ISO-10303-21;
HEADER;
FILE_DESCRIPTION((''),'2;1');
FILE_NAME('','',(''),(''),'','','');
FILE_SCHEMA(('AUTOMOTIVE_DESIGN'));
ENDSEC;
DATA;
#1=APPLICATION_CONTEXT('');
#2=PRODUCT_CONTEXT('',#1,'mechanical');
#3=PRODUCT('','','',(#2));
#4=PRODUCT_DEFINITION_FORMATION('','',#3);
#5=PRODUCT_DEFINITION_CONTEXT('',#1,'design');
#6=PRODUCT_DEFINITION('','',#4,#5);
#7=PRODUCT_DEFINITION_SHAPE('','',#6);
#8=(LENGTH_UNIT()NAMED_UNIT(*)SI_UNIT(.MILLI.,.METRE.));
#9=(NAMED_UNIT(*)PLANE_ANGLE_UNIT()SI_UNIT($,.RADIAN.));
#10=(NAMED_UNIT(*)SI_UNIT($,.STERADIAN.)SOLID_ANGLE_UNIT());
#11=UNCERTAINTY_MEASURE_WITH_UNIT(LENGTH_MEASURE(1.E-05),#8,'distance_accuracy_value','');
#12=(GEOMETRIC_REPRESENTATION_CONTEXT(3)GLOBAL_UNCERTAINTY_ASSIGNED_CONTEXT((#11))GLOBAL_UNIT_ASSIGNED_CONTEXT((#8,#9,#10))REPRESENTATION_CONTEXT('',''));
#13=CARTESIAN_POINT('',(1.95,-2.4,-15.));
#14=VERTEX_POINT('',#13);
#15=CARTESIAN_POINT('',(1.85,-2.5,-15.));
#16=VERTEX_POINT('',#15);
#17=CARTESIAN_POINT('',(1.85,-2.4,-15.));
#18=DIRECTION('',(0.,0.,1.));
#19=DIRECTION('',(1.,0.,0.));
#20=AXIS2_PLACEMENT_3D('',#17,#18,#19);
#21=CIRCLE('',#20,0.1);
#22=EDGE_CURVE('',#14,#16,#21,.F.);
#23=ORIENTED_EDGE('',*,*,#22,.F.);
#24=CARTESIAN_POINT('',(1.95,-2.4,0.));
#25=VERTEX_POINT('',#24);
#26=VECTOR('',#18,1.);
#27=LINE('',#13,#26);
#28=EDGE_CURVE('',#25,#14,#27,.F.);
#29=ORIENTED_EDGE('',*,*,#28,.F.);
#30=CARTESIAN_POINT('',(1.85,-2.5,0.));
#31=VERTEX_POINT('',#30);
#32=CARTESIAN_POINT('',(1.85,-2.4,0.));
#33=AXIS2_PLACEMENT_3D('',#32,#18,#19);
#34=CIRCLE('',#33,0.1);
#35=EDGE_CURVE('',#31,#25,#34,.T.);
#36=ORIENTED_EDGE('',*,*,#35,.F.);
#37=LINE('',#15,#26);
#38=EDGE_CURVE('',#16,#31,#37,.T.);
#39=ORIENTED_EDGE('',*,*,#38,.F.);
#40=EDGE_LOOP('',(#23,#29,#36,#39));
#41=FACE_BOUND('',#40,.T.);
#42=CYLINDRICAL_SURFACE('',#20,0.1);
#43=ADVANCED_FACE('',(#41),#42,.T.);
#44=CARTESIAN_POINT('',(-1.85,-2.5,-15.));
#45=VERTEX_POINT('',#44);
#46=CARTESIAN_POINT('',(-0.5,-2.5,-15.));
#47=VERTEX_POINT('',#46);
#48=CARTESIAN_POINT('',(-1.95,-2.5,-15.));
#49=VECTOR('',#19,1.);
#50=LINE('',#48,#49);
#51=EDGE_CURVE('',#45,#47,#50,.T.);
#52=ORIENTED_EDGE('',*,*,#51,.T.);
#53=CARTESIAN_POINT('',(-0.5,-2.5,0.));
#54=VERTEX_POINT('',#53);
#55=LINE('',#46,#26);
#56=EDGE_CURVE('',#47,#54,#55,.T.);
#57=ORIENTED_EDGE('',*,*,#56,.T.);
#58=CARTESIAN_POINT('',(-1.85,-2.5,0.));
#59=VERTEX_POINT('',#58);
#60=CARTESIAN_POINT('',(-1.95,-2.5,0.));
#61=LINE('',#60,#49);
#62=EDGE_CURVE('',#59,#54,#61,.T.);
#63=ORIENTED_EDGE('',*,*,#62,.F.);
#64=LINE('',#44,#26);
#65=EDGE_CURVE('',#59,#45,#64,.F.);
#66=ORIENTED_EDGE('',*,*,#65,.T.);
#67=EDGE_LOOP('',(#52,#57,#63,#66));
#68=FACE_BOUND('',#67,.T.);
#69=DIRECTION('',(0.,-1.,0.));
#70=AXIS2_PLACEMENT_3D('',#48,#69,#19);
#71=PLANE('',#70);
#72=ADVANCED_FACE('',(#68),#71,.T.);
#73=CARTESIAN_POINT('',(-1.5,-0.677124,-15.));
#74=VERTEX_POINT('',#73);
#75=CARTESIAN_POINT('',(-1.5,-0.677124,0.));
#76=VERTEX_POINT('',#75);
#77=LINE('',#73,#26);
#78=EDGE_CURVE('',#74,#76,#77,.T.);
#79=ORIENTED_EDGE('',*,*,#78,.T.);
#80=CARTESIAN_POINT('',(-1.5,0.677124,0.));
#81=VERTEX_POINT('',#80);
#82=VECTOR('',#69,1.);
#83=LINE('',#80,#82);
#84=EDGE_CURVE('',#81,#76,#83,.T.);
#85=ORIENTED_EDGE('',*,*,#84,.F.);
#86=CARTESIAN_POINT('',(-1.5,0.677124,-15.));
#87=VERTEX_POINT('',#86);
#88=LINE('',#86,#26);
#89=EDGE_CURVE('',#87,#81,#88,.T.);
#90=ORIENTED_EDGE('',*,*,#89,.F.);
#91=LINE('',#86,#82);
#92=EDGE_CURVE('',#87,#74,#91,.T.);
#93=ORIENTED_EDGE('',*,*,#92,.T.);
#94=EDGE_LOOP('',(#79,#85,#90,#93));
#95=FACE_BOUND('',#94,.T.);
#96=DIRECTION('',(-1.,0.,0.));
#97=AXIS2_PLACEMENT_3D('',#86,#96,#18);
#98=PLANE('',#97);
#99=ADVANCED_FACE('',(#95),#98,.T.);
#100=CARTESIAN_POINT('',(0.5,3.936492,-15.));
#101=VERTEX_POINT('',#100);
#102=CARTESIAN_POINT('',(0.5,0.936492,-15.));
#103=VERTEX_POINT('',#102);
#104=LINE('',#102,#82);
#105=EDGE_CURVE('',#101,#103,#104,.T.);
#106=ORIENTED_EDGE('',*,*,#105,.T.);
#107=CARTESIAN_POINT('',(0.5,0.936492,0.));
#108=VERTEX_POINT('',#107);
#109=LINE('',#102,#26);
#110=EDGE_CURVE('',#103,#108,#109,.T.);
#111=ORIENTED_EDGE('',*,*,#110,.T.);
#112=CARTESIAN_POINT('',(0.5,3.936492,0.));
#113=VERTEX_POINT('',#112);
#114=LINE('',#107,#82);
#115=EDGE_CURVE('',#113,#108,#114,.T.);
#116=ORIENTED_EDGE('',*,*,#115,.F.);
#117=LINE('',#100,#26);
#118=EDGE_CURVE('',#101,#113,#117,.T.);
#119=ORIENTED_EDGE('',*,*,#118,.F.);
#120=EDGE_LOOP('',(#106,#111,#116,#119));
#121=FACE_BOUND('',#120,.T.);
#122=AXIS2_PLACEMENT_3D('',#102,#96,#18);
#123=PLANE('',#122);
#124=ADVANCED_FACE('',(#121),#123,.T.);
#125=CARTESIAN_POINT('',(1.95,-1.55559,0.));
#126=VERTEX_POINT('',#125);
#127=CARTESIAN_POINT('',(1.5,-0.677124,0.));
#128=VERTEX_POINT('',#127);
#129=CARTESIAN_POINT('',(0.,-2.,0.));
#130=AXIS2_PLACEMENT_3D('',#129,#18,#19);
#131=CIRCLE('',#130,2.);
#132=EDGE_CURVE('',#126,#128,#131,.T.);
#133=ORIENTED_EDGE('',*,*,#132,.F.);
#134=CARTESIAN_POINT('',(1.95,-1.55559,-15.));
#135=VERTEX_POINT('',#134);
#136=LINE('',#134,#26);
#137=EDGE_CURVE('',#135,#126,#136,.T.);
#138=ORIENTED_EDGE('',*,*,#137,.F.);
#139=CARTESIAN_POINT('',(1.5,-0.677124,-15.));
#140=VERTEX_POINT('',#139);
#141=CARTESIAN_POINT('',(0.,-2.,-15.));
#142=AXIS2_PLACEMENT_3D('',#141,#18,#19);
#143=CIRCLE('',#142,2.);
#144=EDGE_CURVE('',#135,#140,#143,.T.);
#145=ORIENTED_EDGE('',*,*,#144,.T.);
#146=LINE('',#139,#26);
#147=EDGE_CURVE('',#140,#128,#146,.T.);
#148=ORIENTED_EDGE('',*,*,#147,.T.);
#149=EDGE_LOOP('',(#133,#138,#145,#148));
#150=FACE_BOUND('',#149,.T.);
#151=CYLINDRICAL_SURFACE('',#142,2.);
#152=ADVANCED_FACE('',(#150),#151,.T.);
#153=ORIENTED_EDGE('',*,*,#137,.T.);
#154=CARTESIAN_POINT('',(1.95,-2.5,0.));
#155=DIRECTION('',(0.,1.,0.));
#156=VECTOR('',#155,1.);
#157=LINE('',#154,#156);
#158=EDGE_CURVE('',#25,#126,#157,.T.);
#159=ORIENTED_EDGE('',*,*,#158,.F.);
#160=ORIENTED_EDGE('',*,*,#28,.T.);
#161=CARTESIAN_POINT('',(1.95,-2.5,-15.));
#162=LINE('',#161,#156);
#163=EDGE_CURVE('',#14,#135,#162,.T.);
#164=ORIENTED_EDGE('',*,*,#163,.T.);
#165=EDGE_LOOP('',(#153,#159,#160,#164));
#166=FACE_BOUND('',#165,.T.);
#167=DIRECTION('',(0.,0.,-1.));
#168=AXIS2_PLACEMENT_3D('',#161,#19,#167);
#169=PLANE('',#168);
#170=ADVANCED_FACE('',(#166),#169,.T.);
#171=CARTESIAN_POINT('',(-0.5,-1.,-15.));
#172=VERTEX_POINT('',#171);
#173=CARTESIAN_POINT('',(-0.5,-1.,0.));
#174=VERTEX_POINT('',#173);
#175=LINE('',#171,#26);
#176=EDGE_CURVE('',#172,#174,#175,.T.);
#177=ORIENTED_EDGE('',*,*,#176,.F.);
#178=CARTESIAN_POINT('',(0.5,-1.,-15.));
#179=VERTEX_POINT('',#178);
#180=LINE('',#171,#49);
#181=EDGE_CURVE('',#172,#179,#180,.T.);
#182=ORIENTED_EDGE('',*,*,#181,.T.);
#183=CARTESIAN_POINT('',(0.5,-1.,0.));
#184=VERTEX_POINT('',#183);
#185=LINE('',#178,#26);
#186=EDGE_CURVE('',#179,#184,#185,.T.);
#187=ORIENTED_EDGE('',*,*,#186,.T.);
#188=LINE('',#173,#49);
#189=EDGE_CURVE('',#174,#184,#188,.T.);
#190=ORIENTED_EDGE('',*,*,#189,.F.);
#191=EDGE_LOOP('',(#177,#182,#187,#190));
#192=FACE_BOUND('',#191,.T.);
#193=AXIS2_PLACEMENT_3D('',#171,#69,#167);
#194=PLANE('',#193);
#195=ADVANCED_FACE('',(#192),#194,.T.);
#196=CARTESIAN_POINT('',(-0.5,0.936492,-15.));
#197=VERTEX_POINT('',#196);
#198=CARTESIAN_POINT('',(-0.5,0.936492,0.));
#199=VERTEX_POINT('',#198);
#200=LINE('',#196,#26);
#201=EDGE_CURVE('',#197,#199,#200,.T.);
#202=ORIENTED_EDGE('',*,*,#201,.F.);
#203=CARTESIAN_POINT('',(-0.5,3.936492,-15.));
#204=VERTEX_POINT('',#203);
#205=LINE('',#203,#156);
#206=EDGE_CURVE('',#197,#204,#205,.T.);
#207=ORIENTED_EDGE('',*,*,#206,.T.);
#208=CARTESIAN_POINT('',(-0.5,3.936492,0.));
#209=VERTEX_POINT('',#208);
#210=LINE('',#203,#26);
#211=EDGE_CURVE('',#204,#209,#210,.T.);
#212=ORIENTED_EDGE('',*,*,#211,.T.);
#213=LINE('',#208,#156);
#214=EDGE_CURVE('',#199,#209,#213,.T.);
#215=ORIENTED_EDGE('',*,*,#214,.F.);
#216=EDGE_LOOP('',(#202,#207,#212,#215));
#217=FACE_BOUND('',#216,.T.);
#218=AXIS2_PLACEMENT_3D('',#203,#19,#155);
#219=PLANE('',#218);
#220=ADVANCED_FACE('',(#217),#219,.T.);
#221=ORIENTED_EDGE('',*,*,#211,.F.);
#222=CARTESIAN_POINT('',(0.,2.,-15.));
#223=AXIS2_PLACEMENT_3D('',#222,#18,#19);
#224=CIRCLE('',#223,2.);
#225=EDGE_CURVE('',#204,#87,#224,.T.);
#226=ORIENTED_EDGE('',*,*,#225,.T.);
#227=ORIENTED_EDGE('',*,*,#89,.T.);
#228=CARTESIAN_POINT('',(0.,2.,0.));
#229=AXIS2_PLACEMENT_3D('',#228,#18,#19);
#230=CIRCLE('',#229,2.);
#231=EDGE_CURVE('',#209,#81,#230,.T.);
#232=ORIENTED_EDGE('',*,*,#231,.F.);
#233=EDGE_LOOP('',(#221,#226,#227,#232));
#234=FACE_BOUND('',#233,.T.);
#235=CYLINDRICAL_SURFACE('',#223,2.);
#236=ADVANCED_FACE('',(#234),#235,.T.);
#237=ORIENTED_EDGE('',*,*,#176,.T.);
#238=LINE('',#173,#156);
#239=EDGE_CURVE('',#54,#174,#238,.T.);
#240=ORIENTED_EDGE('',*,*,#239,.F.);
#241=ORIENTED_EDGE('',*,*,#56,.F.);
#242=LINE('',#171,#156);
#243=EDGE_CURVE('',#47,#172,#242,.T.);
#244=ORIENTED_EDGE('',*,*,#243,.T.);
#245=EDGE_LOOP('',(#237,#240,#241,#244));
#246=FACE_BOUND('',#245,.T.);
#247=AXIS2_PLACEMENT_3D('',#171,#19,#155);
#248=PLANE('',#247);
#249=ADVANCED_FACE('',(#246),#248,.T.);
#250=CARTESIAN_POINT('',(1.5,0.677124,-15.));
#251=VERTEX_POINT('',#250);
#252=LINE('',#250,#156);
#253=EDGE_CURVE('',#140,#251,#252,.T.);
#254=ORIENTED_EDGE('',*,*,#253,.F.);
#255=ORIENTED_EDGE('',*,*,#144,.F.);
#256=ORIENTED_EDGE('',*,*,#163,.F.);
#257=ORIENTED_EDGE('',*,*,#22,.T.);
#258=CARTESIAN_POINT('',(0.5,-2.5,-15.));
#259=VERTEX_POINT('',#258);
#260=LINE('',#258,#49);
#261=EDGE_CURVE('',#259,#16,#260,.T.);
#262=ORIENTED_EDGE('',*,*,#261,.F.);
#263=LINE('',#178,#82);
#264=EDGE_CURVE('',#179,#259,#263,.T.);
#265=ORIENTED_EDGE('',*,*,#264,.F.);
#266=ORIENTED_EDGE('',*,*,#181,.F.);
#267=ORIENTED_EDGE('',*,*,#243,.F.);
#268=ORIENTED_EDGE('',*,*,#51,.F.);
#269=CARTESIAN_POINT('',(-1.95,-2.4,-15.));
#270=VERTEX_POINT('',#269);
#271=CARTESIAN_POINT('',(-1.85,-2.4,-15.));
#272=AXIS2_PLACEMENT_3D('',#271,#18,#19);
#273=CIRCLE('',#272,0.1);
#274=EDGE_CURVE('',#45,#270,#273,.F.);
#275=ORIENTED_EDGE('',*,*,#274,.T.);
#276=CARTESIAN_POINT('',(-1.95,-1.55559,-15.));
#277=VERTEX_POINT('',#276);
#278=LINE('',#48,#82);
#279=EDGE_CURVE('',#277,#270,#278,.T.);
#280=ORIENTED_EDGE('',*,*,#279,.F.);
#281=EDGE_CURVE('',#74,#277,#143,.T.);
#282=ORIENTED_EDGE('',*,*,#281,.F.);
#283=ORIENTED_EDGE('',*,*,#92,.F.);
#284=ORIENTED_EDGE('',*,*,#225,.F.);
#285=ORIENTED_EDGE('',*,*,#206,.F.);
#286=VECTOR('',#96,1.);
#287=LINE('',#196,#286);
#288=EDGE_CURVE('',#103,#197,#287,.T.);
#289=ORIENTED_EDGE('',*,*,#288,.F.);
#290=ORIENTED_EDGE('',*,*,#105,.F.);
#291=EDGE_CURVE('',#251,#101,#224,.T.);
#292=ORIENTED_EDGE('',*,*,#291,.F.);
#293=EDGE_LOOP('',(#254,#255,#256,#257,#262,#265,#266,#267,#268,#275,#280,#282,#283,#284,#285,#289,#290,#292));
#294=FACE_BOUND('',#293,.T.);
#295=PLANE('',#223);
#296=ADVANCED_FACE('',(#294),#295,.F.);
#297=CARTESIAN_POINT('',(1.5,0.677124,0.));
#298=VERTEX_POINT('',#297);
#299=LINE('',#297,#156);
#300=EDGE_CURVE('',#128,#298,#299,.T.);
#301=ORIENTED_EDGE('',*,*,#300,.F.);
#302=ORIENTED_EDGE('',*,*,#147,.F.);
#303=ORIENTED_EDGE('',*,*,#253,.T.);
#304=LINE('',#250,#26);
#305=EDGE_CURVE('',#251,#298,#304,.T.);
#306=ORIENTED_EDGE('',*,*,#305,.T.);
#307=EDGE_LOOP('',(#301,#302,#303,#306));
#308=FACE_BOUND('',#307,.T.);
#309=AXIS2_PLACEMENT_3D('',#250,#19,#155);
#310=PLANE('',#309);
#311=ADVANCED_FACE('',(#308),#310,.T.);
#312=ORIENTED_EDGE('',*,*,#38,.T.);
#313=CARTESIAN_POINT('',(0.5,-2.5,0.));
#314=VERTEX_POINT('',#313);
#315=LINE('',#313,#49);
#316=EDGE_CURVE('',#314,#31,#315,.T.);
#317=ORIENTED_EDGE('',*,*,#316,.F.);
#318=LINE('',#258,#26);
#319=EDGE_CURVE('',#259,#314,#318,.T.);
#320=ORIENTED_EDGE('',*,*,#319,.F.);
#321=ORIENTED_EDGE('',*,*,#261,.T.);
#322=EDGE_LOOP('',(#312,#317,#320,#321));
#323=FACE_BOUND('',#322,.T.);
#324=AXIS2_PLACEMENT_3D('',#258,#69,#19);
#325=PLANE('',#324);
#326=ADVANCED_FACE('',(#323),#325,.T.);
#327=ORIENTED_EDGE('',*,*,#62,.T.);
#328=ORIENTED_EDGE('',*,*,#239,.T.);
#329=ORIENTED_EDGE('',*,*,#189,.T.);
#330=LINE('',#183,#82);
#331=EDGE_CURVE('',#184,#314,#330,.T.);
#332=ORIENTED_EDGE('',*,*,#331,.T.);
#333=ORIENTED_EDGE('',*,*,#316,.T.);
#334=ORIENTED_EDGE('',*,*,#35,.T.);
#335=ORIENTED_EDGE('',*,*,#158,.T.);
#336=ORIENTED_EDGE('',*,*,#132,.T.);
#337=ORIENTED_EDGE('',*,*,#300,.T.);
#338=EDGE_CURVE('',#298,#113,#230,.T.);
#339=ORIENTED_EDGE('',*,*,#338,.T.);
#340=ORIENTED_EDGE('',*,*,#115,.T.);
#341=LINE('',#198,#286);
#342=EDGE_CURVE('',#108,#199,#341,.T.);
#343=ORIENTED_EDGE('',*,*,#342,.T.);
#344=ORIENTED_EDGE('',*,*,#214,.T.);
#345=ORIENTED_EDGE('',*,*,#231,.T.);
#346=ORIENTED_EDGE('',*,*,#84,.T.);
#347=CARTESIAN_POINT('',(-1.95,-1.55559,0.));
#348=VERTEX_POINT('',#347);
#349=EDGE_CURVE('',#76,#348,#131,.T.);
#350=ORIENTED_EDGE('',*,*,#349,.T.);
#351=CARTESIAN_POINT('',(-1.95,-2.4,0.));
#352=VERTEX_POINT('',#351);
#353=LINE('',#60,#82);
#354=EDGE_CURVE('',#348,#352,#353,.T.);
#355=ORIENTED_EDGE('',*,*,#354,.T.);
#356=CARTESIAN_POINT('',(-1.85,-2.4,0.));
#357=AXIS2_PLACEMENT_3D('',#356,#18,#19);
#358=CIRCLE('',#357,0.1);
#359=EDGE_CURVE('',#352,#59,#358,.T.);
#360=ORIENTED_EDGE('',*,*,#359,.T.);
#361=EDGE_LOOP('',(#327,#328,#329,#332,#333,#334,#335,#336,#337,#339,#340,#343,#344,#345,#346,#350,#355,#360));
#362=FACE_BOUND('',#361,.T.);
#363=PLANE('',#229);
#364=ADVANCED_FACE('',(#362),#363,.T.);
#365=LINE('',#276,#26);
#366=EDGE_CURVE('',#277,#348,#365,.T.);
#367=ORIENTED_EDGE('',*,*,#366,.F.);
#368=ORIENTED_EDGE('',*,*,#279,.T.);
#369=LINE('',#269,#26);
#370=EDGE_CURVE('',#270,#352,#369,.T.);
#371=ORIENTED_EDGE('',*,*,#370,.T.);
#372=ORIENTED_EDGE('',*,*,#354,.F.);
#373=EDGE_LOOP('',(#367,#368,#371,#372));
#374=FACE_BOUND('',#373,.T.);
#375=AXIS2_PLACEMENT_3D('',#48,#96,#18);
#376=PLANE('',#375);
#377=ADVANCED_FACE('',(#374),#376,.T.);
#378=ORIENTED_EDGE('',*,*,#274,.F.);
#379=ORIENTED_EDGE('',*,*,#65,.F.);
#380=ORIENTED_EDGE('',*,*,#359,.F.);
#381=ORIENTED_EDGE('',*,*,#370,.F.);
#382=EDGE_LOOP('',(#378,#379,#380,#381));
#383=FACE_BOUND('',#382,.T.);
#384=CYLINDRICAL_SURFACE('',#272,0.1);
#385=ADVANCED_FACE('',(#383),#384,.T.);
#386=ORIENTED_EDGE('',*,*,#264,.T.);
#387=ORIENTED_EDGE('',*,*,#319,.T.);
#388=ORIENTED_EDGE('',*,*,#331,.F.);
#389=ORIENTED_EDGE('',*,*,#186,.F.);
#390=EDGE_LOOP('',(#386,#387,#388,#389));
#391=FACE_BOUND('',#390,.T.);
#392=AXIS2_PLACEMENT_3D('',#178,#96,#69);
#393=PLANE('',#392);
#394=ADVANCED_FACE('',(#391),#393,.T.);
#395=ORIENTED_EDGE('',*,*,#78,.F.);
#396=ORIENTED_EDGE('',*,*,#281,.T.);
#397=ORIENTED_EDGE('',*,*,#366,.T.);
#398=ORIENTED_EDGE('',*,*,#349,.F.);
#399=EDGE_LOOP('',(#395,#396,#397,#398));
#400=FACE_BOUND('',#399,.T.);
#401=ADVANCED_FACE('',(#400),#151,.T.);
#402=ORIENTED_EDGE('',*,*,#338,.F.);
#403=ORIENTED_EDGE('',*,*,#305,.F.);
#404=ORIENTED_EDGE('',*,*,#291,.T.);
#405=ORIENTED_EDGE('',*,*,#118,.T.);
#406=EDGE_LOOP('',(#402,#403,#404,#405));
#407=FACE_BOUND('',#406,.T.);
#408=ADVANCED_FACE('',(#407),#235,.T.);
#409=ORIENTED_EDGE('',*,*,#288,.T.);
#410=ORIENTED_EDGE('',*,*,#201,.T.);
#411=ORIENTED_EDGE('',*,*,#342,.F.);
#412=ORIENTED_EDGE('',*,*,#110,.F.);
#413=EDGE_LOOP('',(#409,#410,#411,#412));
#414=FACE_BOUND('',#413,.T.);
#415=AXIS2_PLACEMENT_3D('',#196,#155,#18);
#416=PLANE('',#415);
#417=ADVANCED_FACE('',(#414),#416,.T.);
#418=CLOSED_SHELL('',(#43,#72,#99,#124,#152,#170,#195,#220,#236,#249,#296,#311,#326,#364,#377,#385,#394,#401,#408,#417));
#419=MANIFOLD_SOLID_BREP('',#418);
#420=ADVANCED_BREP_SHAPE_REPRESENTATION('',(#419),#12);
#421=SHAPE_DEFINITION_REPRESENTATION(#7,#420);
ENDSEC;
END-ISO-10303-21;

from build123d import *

# Parameters (mm, degrees)
EXTRUDE_1_DEPTH = 15
FILLET_1_R      = 0.1


with BuildPart() as part:
    # 草图1 → 凸台-拉伸1 (new body)
    with BuildSketch(Plane.XY):
        with BuildLine():
            Line((-1.95, -2.5), (-0.5, -2.5))
            Line((-0.5, -2.5), (-0.5, -1))
            Line((-0.5, -1), (0.5, -1))
            Line((0.5, -1), (0.5, -2.5))
            Line((0.5, -2.5), (1.95, -2.5))
            Line((1.95, -2.5), (1.95, -1.555590279))
            ThreePointArc((1.95, -1.555590279), (1.780042303, -1.088161527), (1.5, -0.677124344))
            Line((1.5, -0.677124344), (1.5, 0.677124344))
            ThreePointArc((1.5, 0.677124344), (1.912032648, 2.586626929), (0.5, 3.936491673))
            Line((0.5, 3.936491673), (0.5, 0.936491673))
            Line((0.5, 0.936491673), (-0.5, 0.936491673))
            Line((-0.5, 0.936491673), (-0.5, 3.936491673))
            ThreePointArc((-0.5, 3.936491673), (-1.912032648, 2.586626929), (-1.5, 0.677124344))
            Line((-1.5, 0.677124344), (-1.5, -0.677124344))
            ThreePointArc((-1.5, -0.677124344), (-1.780042303, -1.088161527), (-1.95, -1.555590279))
            Line((-1.95, -1.555590279), (-1.95, -2.5))
        make_face()
    extrude(amount=-EXTRUDE_1_DEPTH)

    # 圆角1
    fillet_1_edges = [part.edges().sort_by_distance(p)[0] for p in [
        (1.95, -2.5, -7.5),
        (-1.95, -2.5, -7.5),
    ]]
    fillet(fillet_1_edges, radius=FILLET_1_R)


solid = part.part
